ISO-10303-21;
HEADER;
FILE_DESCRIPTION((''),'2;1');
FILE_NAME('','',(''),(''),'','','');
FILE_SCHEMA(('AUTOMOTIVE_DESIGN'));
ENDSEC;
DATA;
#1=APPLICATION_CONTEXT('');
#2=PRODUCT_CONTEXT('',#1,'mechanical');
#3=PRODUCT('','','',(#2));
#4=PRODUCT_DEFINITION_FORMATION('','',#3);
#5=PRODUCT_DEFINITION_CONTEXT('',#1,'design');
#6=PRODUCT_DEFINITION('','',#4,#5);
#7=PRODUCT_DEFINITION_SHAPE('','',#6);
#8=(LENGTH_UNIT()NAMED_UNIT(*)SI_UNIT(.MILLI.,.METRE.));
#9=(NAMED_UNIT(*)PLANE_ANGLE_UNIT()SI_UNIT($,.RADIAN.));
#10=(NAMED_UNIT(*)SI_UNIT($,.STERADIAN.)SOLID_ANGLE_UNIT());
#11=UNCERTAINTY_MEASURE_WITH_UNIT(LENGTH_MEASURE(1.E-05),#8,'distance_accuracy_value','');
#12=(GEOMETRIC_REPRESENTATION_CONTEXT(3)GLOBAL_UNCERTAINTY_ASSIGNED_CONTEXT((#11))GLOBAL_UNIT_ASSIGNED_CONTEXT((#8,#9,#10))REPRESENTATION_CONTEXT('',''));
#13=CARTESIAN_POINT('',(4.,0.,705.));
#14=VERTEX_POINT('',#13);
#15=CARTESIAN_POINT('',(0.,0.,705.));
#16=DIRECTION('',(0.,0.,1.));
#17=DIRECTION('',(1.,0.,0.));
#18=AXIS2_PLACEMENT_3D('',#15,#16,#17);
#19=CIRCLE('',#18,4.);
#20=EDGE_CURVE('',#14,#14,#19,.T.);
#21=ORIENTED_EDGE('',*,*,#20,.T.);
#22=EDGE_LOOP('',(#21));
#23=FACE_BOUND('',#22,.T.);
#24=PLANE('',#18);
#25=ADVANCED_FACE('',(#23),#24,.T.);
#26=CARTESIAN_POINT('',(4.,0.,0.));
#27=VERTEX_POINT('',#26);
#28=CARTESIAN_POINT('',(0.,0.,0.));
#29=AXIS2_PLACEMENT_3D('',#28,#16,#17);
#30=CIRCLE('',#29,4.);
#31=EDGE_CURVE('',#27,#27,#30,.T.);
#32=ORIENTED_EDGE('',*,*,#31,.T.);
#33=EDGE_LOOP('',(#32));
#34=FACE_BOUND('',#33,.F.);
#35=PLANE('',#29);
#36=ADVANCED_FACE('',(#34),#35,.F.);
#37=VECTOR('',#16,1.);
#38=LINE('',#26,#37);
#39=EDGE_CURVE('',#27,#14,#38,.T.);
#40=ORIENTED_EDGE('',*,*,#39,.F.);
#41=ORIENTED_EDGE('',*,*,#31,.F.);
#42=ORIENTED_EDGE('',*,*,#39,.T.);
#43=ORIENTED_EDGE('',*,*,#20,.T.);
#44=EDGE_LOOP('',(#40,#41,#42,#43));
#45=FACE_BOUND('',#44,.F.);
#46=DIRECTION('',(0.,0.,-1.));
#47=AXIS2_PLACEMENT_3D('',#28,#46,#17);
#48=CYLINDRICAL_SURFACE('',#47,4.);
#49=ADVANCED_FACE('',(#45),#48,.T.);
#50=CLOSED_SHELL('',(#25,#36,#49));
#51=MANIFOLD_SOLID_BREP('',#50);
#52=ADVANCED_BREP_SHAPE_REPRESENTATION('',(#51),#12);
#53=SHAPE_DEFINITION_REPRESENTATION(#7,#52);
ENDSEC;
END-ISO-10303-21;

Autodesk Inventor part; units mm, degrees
ref_plane "YZ Plane" through (0, 0, 0) normal (1, 0, 0) x (0, 1, 0)
ref_plane "XZ Plane" through (0, 0, 0) normal (0, 1, 0) x (-1, 0, 0)
ref_plane "XY Plane" through (0, 0, 0) normal (0, 0, 1) x (1, 0, 0)
sketch "Sketch1" plane through (0, 0, 0) normal (0, 0, 1) x (1, 0, 0)
  circle A0 centre (0, 0) radius 4
  dimension "d0" = 8
extrude "Extrusion1" add sketch "Sketch1" along normal blind 705
thread "Thread1" size "M8x1.25" class "6g" standard "ANSI Metric M Profile" full length
properties part number "TENSION THREAD"
